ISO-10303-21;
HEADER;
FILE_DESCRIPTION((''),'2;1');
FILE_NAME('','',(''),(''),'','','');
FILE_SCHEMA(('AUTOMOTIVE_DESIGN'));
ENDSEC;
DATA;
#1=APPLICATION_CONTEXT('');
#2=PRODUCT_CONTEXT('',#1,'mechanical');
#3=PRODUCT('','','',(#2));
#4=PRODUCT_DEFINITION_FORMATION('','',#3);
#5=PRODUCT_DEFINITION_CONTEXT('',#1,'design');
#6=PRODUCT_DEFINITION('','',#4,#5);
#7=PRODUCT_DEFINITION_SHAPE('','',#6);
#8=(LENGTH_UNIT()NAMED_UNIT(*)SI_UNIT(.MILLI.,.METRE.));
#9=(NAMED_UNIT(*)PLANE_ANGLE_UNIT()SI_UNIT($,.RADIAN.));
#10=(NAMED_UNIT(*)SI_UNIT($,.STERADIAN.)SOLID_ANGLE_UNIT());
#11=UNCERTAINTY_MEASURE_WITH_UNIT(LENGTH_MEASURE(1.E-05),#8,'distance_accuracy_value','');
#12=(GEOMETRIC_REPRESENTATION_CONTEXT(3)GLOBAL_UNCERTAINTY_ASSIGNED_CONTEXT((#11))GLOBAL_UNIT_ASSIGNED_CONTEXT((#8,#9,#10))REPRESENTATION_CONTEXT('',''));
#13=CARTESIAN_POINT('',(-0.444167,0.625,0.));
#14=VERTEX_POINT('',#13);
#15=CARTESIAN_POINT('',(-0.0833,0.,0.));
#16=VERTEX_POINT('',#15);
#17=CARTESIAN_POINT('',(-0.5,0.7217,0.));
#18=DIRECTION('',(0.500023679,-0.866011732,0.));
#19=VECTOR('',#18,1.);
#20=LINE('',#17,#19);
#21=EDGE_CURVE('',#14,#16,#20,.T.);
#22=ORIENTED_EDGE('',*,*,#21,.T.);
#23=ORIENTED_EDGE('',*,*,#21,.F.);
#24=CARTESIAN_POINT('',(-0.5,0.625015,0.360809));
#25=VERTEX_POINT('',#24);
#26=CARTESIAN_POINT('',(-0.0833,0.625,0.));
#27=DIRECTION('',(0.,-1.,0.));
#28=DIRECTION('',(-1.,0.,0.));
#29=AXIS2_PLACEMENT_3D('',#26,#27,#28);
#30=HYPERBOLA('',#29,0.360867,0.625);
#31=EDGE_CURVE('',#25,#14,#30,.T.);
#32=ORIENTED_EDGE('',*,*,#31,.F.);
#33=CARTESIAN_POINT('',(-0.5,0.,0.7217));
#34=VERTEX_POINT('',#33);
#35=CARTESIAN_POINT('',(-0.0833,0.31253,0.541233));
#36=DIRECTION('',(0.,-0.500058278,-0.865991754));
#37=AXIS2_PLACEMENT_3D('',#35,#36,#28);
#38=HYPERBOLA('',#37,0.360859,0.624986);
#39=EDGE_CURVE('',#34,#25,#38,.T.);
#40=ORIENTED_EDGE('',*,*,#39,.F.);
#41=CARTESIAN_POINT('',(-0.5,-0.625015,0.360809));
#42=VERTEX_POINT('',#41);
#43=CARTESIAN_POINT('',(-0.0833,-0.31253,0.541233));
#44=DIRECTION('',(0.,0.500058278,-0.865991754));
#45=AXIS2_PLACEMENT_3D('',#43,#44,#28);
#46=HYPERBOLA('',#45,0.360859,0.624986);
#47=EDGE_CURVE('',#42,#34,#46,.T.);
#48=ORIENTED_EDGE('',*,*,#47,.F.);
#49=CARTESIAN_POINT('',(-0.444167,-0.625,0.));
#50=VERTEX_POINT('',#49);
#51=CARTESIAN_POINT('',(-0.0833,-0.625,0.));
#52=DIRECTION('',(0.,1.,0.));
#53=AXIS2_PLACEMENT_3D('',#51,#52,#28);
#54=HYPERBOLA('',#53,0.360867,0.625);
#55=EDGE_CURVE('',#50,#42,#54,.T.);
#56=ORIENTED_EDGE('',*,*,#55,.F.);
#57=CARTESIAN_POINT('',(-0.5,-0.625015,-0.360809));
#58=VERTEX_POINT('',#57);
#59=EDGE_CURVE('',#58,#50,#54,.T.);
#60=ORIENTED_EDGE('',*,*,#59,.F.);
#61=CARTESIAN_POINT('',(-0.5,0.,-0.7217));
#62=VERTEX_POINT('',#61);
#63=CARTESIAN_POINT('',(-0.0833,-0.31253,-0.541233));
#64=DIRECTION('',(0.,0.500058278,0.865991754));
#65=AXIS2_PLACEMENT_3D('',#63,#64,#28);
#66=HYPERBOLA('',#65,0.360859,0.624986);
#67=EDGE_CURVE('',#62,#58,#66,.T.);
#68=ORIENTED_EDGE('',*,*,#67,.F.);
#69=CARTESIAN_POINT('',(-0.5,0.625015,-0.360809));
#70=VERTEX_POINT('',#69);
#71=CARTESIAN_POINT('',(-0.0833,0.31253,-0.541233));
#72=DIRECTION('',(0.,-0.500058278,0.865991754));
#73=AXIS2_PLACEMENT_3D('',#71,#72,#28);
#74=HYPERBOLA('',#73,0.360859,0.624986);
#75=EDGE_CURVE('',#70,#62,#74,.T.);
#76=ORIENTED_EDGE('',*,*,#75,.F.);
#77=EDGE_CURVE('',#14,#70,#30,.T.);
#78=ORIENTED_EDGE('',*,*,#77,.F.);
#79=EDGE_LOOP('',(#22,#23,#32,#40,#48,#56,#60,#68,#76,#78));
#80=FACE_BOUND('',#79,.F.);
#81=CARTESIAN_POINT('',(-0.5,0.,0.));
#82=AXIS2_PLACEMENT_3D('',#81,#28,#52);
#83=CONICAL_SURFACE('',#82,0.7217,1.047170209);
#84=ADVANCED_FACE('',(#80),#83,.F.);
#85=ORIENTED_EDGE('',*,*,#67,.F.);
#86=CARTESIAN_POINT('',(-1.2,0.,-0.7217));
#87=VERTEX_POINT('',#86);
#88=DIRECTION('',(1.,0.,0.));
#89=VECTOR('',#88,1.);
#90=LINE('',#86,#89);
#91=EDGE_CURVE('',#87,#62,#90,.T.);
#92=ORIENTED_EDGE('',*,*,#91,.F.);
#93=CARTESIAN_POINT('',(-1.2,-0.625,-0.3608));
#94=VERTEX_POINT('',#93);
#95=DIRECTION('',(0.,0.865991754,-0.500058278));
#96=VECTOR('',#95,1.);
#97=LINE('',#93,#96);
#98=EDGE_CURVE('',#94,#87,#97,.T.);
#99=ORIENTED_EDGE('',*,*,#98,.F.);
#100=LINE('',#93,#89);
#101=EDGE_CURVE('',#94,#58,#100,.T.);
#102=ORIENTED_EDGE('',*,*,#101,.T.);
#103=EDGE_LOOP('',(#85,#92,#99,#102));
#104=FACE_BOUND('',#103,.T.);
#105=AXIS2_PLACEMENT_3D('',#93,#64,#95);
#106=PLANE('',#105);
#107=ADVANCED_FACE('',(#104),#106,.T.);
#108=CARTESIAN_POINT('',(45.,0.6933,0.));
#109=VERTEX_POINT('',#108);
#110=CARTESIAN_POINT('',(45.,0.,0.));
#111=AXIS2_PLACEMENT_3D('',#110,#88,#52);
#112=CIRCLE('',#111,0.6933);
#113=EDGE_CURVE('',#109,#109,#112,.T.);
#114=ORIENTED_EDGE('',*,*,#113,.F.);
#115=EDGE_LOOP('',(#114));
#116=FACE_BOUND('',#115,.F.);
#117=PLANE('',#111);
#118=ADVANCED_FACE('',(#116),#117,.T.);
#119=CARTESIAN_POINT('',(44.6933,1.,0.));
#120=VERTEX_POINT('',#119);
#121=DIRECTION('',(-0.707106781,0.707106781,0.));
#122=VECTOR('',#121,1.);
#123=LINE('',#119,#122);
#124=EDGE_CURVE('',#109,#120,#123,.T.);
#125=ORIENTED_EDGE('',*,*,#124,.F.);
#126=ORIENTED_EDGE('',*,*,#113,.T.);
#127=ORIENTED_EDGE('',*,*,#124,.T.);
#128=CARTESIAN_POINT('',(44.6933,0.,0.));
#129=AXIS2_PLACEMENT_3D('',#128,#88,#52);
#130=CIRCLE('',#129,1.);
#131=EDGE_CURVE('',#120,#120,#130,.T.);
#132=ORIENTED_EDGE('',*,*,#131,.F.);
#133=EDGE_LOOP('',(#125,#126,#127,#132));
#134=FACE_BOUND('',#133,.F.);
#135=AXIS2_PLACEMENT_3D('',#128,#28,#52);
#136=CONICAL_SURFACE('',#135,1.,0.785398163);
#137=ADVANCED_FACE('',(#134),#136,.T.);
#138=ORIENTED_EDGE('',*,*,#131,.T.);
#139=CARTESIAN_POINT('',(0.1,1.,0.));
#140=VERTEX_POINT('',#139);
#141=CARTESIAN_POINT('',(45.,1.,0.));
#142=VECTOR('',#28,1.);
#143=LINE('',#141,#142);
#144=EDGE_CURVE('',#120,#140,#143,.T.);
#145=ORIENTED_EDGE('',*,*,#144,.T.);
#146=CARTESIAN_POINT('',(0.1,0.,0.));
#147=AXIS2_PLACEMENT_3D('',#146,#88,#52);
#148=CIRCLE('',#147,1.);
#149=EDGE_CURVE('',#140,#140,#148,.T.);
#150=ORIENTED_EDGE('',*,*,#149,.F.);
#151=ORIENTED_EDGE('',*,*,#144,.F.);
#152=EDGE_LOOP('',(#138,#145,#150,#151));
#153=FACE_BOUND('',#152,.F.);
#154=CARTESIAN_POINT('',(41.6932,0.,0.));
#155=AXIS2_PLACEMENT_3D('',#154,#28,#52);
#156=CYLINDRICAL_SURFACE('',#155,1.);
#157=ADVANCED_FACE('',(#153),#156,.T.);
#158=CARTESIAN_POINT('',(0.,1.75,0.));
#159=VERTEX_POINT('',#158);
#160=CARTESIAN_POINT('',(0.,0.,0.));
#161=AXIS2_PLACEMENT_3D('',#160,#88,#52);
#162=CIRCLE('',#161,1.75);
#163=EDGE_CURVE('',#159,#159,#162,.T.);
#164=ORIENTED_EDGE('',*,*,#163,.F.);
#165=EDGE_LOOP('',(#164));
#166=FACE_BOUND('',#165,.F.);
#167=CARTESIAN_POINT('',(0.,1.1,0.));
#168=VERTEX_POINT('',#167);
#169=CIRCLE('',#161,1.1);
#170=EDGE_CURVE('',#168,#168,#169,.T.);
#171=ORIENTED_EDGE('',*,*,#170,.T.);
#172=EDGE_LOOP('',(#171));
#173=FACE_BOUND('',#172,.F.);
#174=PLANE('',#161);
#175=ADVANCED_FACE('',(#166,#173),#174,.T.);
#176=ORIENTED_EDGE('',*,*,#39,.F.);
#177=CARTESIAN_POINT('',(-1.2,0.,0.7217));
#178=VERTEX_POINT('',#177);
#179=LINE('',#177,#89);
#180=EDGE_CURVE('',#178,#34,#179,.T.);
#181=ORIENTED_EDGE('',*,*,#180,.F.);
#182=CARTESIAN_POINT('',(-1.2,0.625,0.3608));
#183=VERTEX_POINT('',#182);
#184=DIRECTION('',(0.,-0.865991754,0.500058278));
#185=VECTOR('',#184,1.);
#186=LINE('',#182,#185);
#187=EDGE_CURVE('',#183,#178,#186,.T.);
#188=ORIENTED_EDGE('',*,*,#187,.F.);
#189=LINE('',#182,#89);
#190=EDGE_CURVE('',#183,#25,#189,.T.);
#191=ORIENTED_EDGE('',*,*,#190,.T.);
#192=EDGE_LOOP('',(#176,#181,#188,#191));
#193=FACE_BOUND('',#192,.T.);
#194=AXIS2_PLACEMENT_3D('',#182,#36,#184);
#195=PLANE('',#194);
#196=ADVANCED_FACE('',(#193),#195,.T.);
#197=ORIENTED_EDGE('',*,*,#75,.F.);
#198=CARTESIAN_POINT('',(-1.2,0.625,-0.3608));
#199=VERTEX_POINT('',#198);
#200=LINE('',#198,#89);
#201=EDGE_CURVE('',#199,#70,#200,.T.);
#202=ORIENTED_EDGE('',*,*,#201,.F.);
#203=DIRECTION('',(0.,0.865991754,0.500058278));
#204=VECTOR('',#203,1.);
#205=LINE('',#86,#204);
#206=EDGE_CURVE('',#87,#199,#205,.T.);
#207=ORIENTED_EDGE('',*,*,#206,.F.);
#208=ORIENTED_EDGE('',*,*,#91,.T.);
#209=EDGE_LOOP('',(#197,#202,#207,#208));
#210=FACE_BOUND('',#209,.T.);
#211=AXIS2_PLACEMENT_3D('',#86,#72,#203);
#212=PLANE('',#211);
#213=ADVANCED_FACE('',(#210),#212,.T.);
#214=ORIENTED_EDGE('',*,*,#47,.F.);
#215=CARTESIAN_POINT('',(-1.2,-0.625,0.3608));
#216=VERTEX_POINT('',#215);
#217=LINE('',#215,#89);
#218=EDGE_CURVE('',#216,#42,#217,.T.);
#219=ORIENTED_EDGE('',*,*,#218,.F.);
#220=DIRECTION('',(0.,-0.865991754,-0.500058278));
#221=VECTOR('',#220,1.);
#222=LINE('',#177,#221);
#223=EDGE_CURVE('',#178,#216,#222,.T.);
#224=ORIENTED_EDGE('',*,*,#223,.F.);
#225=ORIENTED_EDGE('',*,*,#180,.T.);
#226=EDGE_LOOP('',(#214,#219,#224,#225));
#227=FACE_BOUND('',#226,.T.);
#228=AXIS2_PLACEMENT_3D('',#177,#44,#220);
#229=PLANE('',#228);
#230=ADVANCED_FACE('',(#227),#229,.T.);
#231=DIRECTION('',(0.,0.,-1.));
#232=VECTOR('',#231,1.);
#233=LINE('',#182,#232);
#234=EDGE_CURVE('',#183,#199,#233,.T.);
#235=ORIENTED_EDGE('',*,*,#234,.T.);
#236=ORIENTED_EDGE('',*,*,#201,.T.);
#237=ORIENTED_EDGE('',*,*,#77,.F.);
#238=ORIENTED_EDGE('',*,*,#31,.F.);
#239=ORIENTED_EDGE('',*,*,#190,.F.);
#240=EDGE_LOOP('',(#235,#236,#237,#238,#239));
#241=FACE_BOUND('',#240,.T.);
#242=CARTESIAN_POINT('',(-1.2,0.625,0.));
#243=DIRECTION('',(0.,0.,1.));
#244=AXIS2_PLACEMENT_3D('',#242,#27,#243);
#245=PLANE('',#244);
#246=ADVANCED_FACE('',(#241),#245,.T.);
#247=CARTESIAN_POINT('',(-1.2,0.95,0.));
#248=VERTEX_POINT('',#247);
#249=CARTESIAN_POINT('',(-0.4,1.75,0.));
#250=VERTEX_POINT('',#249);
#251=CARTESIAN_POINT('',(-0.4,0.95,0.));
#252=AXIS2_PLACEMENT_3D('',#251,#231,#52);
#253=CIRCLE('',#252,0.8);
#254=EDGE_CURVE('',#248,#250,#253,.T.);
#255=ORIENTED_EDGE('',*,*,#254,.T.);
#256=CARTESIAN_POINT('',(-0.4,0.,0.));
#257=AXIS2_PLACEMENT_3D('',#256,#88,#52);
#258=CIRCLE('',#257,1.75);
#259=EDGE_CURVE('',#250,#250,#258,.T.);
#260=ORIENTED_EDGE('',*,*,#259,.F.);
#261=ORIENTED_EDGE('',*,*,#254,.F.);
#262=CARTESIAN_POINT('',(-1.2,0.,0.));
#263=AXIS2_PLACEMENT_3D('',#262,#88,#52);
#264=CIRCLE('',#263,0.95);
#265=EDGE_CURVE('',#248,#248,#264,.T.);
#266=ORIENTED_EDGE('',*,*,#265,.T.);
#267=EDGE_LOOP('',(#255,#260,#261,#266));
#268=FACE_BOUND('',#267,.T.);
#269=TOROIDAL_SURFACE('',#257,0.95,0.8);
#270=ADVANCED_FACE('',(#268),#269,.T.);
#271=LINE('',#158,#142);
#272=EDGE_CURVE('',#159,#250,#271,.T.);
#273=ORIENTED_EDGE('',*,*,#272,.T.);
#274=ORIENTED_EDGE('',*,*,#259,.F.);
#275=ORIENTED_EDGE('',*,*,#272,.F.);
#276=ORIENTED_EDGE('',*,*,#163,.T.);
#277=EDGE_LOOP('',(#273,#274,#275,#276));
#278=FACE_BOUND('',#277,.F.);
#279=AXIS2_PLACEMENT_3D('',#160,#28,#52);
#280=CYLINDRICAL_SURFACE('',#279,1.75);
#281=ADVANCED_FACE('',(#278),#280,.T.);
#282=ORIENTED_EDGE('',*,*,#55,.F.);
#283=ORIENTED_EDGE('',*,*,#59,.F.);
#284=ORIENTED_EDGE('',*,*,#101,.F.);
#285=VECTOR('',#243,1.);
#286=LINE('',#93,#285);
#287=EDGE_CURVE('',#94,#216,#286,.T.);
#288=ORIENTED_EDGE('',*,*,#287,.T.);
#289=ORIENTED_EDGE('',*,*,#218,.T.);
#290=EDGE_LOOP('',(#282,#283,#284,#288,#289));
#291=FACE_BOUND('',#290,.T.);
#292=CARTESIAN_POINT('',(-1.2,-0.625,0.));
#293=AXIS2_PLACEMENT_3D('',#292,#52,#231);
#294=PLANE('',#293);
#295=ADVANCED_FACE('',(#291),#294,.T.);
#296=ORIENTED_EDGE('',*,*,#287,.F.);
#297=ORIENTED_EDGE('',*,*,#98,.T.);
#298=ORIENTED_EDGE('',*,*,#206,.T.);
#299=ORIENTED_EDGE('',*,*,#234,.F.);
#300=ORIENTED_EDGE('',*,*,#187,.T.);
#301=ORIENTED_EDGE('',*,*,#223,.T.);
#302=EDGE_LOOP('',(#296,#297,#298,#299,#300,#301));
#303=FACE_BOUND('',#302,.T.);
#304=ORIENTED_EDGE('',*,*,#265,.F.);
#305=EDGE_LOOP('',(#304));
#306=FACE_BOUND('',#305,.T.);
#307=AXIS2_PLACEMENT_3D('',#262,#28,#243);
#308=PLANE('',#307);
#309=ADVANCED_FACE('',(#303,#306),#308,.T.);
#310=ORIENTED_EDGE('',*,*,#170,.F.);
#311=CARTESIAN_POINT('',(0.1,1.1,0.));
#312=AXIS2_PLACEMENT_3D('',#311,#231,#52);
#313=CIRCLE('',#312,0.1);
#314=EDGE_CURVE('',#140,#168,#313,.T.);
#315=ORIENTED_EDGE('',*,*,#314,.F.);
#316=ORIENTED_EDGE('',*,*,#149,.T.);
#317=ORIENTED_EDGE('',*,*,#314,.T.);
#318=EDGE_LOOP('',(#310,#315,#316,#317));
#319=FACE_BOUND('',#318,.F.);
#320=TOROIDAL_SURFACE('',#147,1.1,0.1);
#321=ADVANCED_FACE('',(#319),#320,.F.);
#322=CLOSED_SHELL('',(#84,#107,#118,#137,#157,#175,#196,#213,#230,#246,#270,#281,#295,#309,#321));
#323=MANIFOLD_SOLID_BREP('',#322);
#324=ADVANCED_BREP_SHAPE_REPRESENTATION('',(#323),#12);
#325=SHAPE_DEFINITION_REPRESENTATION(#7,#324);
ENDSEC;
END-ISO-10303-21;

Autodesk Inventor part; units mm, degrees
ref_plane "YZ Plane" through (0, 0, 0) normal (1, 0, 0) x (0, 1, 0)
ref_plane "XZ Plane" through (0, 0, 0) normal (0, 1, 0) x (-1, 0, 0)
sketch "Sketch1" plane through (0, 0, 0) normal (0, 0, 1) x (1, 0, 0)
  line L0 (-0.0833, 0) -> (45, 0)
  line L1 (45, 0) -> (45, 1)
  line L2 (45, 1) -> (42, 1)
  line L3 (42, 1) -> (41.6932, 1)
  line L4 (41.6932, 1) -> (0, 1)
  line L5 (0, 1) -> (0, 1.75)
  line L6 (0, 1.75) -> (-1.2, 1.75)
  line L7 (-1.2, 1.75) -> (-1.2, 0.7217)
  line L8 (-1.2, 0.7217) -> (-0.5, 0.7217)
  line L9 (-0.5, 0.7217) -> (-0.0833, 0)
  line L10 (-10.44, 0) -> (54.24, 0) projected
  line L11 (0, -0.35) -> (0, 2.1) projected
  line L12 (42, 1) -> (0, 1) construction
  dimension "d1" = 3
  dimension "d2" = 0.3068
  dimension "d3" = 1.2
  dimension "d4" = 0.7
  dimension "d5" = 60
  dimension "d6" = 2
  dimension "d7" = 2
  dimension "d8" = 1.4434
  dimension "d9" = 3.5
  dimension "d26" = 45
revolve "Body" add sketch "Sketch1" angle 360 about axis through (-0.0833, 0, 0) along (1, 0, 0)
sketch "Sketch2" plane through (-1.2, 0, 0) normal (-1, 0, 0) x (0, 0, 1)
  circle A0 centre (0, 0) radius 0.7217 projected
  line L0 (0, -2.45) -> (0, 2.45) projected
  line L1 (-2.45, 0) -> (2.45, 0) projected
  line L2 (0.7217, 0) -> (0.3608, -0.625)
  line L3 (0.3608, -0.625) -> (-0.3608, -0.625)
  line L4 (-0.3608, -0.625) -> (-0.7217, 0)
  line L5 (-0.7217, 0) -> (-0.3608, 0.625)
  line L6 (-0.3608, 0.625) -> (0.3608, 0.625)
  line L7 (0.3608, 0.625) -> (0.7217, 0)
extrude "Slot" add sketch "Sketch2" against normal up to next contours L7 A0 | A0 L2 | L6 L0 A0 | A0 L0 L3 | L0 L6 A0 | A0 L3 L0 | L4 A0 | A0 L5
fillet "Fillet1" radius 0.8 1 edges at (-1.2, -1.75, 0)
chamfer "Chamfer1" distance 0.3067 distance2 0.3067 1 edges at (45, -1, 0) measured on face at (45, -0.2495, -0.4023)
ref_plane "Work Plane1" through (29, 0, 0) normal (0, -1, 0) x (1, 0, 0)
fillet "Fillet2" radius 0.1 1 edges at (0, -1, 0)
thread "Thread2" size "M2x0.4" class "6g" standard "ANSI Metric M Profile" full length
equation "\"d15\" = -0.5 * SPD + 0.5 * GD"
equation "\"d16\" = GUL"
equation "\"GD\" = NND"
equation "\"NLG\" = 6"
equation "\"GEL\" = 4.5"
equation "\"KOD\" = 5.7"
equation "\"KOH\" = 1.65"
equation "\"INTI\" = 1.04"
equation "\"GAL\" = 0.61345 * PTC"
equation "\"GUL\" = 0.61345 * PTC"
equation "\"BDM\" = NND"
equation "\"SW\" = 2"
equation "\"RR\" = 1.45"
equation "\"SPD\" = NND - 1.2269 * PTC"
equation "\"R\" = 0.3"
equation "\"TOA\" = 30deg"
equation "\"GD1\" = THREADDIA - 1.2269 * PTC"
equation "\"THREADDIA\" = 3"
equation "\"PTC\" = 0.5"
equation "\"NND\" = 3"
equation "\"KOH1\" = 0.2"
equation "\"E0\" = 2.303"
properties part number "M2x35 Bolt" material "Stainless Steel"
